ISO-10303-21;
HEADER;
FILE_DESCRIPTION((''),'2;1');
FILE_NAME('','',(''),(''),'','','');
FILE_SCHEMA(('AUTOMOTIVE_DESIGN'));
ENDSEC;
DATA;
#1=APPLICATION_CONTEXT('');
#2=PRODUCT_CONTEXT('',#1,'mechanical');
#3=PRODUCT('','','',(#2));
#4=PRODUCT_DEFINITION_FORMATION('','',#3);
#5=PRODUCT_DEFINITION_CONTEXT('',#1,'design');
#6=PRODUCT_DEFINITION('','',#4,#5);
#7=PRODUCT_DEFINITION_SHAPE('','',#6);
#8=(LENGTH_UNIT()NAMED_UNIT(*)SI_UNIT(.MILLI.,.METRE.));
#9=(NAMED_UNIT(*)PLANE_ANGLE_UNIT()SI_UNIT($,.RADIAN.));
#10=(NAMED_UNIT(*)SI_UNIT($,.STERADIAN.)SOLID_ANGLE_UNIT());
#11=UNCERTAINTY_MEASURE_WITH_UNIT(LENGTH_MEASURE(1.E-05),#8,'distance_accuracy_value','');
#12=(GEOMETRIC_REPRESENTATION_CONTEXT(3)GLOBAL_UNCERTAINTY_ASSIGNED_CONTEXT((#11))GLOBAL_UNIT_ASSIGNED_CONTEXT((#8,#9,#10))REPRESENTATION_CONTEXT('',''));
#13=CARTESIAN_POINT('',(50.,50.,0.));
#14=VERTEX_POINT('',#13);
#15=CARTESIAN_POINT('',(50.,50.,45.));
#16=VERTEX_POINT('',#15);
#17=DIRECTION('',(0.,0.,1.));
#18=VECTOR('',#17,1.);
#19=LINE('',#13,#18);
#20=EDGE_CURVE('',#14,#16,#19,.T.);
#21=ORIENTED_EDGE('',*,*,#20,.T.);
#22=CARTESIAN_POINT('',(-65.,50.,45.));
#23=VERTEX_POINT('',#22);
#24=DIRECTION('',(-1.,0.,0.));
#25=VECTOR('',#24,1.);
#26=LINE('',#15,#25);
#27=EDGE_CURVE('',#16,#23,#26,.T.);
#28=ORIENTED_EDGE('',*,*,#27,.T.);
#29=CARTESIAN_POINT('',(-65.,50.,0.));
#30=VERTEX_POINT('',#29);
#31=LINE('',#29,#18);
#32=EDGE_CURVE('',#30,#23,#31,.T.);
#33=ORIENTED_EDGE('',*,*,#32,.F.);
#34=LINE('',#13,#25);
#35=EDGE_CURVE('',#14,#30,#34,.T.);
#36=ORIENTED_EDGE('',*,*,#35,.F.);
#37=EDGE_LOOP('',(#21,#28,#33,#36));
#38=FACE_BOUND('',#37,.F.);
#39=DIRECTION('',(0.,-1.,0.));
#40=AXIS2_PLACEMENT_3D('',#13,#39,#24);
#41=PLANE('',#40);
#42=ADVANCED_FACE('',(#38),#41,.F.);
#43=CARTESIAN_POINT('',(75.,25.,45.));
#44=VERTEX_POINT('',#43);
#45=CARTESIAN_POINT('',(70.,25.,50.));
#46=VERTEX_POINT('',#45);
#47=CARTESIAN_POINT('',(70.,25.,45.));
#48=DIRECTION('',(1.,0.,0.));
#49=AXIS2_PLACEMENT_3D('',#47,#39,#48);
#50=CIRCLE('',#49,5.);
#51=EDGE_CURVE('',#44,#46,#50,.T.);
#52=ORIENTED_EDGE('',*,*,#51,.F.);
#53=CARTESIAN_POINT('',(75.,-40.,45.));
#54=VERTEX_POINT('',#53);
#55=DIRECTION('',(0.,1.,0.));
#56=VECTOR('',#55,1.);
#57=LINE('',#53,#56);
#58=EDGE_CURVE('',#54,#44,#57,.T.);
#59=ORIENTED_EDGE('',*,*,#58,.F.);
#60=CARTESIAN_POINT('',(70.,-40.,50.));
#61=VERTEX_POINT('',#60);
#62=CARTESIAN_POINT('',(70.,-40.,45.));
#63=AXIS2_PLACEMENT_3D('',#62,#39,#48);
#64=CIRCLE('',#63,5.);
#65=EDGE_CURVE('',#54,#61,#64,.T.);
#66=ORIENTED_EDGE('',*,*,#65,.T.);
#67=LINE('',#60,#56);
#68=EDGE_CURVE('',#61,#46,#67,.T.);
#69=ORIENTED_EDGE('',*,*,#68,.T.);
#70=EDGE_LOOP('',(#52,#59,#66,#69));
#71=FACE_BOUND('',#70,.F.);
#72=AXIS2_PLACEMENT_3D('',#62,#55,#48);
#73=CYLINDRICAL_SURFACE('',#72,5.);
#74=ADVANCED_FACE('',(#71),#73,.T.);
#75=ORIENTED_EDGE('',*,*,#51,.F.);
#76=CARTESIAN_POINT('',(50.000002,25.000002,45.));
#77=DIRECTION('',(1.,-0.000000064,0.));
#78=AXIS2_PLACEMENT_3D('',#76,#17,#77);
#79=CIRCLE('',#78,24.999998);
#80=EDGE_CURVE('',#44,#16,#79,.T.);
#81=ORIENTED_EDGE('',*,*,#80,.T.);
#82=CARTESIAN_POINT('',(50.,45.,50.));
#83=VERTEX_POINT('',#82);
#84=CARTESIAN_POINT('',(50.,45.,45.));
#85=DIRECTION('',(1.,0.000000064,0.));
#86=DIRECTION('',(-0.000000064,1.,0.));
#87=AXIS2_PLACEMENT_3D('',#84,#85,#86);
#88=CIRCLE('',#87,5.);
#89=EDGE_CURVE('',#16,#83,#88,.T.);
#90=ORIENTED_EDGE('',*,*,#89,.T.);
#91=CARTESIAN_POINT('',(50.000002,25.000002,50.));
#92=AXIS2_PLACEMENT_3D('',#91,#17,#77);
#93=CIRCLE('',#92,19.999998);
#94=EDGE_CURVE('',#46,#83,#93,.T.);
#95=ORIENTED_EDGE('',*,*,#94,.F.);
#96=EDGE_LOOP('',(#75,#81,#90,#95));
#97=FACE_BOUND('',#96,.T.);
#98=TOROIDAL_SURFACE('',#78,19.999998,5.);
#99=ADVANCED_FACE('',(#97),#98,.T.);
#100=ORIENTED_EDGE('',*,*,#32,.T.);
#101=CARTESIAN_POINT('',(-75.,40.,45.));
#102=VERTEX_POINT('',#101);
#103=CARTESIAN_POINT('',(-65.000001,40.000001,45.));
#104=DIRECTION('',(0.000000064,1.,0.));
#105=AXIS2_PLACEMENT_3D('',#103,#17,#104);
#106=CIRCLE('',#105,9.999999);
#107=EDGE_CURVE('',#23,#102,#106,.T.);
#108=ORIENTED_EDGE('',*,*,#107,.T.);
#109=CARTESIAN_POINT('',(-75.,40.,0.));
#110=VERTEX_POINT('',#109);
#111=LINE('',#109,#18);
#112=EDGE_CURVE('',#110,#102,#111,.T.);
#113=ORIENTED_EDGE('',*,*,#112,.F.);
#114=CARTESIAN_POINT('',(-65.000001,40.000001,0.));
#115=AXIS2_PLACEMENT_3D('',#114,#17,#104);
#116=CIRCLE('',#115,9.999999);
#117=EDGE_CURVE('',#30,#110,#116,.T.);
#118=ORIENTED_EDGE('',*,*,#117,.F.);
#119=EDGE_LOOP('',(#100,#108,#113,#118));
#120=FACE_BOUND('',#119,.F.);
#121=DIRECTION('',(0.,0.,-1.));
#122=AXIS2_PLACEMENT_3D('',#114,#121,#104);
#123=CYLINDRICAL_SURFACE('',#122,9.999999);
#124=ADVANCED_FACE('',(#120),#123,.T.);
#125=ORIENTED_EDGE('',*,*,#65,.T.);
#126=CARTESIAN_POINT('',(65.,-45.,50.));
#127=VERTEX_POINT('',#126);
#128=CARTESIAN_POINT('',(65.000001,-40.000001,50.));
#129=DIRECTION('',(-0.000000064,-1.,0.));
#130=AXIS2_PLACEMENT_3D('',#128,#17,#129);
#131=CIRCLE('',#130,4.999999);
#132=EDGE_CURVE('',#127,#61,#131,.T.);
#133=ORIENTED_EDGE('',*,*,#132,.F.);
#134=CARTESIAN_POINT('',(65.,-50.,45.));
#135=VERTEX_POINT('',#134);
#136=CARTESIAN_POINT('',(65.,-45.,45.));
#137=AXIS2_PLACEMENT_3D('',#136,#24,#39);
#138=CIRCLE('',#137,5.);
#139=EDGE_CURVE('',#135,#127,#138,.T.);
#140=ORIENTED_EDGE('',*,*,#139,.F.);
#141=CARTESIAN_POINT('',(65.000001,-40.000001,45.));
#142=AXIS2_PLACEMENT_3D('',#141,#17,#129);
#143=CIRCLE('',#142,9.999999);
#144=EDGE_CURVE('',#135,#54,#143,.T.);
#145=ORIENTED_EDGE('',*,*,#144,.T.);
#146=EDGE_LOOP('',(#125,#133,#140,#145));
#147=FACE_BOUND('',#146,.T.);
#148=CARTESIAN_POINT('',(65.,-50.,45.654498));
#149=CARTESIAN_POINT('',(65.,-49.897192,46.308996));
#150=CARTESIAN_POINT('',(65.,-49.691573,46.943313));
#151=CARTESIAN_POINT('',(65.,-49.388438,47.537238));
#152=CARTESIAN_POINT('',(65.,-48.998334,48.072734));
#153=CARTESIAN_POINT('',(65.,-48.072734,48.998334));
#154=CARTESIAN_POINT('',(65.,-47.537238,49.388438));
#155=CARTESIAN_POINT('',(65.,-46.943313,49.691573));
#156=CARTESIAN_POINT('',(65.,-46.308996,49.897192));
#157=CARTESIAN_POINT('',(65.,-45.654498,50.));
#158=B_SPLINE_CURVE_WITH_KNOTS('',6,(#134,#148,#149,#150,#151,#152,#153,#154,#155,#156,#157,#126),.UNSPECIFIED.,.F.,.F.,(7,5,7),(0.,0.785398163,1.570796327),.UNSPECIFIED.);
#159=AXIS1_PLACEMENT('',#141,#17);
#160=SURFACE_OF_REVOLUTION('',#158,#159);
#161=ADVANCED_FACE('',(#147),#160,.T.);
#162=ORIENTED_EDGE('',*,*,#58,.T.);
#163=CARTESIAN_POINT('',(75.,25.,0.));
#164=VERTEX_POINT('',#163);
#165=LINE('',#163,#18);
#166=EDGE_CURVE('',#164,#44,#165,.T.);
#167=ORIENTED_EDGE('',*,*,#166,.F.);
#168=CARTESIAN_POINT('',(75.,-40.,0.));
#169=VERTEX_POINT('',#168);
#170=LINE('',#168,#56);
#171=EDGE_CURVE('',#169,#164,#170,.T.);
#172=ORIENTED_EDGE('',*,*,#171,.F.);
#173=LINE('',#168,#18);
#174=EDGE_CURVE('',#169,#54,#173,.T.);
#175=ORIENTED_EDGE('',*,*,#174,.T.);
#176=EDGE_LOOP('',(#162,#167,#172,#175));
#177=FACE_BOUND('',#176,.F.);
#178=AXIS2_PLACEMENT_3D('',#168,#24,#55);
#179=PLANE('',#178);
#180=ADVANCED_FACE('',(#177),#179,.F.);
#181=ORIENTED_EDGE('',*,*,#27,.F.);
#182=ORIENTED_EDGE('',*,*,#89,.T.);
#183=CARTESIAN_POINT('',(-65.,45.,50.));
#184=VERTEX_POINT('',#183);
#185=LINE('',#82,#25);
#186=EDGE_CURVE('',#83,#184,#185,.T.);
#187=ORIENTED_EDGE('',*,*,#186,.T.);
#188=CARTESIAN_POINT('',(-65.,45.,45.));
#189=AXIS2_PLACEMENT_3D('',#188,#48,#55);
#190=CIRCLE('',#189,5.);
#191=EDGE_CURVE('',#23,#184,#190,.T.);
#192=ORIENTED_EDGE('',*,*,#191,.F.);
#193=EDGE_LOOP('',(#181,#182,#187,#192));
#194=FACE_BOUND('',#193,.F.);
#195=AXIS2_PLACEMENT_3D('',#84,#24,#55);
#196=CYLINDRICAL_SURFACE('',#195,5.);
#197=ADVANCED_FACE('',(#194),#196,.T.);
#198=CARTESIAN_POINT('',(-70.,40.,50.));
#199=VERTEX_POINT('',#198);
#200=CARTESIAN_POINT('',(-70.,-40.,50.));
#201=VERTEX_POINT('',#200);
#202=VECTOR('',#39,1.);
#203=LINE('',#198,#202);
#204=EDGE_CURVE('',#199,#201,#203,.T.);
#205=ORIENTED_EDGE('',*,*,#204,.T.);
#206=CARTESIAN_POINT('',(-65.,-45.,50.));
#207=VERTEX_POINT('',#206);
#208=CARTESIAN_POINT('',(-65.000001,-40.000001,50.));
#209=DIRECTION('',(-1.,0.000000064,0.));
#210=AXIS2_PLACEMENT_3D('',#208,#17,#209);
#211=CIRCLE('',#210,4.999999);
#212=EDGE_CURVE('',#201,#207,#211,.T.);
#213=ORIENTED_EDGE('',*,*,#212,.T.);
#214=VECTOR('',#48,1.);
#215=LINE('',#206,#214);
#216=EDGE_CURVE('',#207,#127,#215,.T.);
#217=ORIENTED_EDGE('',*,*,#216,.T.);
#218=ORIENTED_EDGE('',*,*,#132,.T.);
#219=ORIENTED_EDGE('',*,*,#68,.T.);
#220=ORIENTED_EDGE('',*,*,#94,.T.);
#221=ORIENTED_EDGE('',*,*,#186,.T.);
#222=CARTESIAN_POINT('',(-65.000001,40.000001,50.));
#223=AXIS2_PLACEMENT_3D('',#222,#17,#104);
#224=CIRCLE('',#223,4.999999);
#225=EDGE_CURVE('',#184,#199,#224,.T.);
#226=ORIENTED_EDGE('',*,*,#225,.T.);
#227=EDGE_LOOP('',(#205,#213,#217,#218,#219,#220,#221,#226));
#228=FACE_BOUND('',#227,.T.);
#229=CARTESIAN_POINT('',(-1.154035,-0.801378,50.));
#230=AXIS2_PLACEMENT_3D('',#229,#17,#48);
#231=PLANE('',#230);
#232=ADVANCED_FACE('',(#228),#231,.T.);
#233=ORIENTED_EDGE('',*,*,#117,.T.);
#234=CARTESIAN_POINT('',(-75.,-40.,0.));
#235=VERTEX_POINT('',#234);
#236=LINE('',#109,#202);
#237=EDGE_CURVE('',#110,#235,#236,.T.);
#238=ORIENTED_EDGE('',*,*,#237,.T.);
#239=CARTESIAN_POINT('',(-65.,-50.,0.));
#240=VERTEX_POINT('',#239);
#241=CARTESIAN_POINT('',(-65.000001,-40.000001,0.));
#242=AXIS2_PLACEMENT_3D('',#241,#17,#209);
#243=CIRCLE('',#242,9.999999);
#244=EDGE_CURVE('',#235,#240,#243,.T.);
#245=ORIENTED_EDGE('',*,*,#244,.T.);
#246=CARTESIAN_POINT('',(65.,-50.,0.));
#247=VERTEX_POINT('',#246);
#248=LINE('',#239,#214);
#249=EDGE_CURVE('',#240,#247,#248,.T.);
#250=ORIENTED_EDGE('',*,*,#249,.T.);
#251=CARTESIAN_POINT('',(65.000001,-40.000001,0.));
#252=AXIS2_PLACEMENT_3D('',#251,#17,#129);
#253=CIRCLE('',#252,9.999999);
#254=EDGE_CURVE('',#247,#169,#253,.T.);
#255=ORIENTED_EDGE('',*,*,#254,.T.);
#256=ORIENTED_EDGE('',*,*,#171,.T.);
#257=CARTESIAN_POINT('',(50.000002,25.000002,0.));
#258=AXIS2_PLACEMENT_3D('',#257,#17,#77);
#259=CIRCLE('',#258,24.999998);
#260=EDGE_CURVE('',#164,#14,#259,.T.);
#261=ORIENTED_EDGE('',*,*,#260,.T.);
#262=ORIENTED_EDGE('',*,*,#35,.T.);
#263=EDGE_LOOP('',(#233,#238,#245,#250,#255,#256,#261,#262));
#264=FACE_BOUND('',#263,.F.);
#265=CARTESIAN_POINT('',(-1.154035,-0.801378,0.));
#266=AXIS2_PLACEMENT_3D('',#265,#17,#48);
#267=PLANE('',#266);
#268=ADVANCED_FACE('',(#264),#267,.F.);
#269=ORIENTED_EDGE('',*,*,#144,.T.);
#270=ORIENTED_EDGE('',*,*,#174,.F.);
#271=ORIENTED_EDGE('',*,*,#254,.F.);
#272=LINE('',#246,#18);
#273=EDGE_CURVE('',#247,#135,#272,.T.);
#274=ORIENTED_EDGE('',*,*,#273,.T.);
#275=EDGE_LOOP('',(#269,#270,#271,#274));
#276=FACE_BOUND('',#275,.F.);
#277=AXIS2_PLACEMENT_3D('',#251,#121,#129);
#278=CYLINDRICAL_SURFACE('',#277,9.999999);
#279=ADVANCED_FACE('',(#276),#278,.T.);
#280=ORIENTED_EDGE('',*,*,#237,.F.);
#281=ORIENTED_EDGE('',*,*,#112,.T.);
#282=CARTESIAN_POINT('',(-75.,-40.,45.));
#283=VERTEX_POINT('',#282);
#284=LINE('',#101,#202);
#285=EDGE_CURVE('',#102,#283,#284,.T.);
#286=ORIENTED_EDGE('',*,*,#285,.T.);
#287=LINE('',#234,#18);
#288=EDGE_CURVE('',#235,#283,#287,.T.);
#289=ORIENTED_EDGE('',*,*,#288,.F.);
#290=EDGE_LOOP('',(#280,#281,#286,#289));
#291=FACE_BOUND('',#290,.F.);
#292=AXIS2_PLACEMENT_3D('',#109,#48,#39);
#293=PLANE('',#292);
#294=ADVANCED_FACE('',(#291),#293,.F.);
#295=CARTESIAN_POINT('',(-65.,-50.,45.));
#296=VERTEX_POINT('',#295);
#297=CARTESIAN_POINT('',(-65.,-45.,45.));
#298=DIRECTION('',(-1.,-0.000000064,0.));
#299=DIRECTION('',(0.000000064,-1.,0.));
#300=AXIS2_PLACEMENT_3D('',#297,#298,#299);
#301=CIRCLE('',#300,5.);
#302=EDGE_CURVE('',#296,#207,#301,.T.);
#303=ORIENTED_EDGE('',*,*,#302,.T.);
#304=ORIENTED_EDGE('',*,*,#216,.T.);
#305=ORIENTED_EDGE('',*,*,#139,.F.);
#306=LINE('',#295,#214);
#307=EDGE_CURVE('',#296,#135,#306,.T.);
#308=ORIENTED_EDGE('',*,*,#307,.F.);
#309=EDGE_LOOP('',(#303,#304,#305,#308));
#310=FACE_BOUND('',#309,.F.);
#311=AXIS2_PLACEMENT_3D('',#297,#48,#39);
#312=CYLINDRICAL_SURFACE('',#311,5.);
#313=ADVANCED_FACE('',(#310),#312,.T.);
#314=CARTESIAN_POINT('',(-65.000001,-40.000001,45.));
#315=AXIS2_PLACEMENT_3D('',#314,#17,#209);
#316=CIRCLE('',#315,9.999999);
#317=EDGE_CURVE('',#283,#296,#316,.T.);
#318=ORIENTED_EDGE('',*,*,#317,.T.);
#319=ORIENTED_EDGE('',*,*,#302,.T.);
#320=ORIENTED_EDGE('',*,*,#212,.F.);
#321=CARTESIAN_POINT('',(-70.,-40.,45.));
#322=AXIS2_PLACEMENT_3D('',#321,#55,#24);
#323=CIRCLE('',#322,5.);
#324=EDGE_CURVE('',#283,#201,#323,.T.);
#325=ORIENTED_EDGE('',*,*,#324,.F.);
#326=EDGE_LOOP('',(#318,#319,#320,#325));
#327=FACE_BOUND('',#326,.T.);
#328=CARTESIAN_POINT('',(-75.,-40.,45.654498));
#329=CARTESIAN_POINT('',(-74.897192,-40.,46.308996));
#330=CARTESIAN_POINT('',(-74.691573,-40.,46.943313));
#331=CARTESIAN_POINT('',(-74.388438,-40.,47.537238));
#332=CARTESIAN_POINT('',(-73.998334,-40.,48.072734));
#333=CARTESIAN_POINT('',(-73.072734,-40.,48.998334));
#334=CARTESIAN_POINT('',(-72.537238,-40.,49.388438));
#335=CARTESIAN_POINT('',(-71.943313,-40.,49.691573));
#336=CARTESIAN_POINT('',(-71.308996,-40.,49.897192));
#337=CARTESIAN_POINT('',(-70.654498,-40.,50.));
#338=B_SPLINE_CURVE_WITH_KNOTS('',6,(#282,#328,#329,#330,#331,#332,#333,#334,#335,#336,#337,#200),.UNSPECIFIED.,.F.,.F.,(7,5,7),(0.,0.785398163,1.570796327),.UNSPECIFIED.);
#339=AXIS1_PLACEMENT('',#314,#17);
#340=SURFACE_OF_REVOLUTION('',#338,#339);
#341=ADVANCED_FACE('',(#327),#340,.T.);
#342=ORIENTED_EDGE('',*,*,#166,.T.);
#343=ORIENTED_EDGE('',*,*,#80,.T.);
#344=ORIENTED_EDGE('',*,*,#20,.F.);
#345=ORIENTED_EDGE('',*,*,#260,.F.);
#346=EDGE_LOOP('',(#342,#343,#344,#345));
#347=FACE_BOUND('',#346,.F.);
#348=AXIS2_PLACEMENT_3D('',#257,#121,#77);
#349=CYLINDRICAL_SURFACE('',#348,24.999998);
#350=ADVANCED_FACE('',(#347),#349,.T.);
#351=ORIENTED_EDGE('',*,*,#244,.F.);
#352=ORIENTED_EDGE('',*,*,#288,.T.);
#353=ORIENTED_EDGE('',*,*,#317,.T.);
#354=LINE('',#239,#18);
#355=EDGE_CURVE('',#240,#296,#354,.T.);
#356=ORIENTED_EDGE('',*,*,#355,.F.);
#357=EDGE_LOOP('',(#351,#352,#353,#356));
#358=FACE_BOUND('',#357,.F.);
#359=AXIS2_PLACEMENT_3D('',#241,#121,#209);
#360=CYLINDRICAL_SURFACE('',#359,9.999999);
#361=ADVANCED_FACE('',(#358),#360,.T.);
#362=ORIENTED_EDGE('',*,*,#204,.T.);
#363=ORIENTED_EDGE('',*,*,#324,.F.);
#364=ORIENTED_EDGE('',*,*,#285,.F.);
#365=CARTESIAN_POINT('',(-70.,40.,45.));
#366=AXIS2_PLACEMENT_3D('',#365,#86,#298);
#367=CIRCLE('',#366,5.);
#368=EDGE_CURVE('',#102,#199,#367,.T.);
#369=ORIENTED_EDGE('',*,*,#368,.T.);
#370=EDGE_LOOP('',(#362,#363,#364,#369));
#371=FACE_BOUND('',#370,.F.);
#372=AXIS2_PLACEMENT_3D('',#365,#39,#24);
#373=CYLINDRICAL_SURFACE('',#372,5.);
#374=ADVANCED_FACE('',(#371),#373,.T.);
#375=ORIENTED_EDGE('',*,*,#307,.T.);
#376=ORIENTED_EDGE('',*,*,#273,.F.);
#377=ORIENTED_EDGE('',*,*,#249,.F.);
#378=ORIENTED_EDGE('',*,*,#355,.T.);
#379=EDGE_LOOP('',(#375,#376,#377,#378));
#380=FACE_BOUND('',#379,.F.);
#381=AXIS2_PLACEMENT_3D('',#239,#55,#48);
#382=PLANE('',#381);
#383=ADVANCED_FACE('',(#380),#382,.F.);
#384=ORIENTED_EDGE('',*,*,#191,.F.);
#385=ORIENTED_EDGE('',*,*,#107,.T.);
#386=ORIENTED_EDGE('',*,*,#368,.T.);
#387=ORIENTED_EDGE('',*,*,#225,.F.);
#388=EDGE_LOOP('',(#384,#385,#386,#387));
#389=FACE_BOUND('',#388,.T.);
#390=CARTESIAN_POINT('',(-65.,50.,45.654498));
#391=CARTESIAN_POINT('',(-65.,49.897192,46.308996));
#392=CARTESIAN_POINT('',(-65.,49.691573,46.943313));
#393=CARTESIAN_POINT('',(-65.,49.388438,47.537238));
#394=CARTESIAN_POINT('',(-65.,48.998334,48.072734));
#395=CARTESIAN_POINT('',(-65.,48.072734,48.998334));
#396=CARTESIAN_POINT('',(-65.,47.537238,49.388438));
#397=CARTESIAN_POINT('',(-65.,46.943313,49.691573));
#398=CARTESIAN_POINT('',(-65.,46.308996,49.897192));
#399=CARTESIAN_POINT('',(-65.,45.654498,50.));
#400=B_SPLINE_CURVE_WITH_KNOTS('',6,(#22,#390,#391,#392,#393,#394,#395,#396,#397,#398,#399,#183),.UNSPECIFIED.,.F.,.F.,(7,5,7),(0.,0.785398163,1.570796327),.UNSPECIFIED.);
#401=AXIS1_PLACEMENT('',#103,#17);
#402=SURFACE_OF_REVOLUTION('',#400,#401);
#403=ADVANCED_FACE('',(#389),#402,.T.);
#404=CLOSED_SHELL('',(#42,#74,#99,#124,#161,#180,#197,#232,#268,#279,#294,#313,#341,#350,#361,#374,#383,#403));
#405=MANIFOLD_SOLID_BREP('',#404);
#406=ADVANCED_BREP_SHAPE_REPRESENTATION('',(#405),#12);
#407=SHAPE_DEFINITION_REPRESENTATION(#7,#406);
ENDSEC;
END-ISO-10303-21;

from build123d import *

# Parameters (mm, degrees)
F1_DEPTH = 50
F2_R     = 5


with BuildPart() as f1:
    # F0 (on Top) → F1 (new body)
    with BuildSketch(Plane.XY):
        with BuildLine():
            ThreePointArc((-75, -40), (-72.071068, -47.071068), (-65, -50))
            Line((-65, -50), (65, -50))
            ThreePointArc((65, -50), (72.071068, -47.071068), (75, -40))
            Line((75, -40), (75, 25))
            ThreePointArc((75, 25), (67.67767, 42.67767), (50, 50))
            Line((50, 50), (-65, 50))
            ThreePointArc((-65, 50), (-72.071068, 47.071068), (-75, 40))
            Line((-75, 40), (-75, -40))
        make_face()
    extrude(amount=F1_DEPTH)

    # F2
    f2_edges = [f1.edges().sort_by_distance(p)[0] for p in [
        (75, -7.5, 50),
    ]]
    fillet(f2_edges, radius=F2_R)


solid = f1.part
